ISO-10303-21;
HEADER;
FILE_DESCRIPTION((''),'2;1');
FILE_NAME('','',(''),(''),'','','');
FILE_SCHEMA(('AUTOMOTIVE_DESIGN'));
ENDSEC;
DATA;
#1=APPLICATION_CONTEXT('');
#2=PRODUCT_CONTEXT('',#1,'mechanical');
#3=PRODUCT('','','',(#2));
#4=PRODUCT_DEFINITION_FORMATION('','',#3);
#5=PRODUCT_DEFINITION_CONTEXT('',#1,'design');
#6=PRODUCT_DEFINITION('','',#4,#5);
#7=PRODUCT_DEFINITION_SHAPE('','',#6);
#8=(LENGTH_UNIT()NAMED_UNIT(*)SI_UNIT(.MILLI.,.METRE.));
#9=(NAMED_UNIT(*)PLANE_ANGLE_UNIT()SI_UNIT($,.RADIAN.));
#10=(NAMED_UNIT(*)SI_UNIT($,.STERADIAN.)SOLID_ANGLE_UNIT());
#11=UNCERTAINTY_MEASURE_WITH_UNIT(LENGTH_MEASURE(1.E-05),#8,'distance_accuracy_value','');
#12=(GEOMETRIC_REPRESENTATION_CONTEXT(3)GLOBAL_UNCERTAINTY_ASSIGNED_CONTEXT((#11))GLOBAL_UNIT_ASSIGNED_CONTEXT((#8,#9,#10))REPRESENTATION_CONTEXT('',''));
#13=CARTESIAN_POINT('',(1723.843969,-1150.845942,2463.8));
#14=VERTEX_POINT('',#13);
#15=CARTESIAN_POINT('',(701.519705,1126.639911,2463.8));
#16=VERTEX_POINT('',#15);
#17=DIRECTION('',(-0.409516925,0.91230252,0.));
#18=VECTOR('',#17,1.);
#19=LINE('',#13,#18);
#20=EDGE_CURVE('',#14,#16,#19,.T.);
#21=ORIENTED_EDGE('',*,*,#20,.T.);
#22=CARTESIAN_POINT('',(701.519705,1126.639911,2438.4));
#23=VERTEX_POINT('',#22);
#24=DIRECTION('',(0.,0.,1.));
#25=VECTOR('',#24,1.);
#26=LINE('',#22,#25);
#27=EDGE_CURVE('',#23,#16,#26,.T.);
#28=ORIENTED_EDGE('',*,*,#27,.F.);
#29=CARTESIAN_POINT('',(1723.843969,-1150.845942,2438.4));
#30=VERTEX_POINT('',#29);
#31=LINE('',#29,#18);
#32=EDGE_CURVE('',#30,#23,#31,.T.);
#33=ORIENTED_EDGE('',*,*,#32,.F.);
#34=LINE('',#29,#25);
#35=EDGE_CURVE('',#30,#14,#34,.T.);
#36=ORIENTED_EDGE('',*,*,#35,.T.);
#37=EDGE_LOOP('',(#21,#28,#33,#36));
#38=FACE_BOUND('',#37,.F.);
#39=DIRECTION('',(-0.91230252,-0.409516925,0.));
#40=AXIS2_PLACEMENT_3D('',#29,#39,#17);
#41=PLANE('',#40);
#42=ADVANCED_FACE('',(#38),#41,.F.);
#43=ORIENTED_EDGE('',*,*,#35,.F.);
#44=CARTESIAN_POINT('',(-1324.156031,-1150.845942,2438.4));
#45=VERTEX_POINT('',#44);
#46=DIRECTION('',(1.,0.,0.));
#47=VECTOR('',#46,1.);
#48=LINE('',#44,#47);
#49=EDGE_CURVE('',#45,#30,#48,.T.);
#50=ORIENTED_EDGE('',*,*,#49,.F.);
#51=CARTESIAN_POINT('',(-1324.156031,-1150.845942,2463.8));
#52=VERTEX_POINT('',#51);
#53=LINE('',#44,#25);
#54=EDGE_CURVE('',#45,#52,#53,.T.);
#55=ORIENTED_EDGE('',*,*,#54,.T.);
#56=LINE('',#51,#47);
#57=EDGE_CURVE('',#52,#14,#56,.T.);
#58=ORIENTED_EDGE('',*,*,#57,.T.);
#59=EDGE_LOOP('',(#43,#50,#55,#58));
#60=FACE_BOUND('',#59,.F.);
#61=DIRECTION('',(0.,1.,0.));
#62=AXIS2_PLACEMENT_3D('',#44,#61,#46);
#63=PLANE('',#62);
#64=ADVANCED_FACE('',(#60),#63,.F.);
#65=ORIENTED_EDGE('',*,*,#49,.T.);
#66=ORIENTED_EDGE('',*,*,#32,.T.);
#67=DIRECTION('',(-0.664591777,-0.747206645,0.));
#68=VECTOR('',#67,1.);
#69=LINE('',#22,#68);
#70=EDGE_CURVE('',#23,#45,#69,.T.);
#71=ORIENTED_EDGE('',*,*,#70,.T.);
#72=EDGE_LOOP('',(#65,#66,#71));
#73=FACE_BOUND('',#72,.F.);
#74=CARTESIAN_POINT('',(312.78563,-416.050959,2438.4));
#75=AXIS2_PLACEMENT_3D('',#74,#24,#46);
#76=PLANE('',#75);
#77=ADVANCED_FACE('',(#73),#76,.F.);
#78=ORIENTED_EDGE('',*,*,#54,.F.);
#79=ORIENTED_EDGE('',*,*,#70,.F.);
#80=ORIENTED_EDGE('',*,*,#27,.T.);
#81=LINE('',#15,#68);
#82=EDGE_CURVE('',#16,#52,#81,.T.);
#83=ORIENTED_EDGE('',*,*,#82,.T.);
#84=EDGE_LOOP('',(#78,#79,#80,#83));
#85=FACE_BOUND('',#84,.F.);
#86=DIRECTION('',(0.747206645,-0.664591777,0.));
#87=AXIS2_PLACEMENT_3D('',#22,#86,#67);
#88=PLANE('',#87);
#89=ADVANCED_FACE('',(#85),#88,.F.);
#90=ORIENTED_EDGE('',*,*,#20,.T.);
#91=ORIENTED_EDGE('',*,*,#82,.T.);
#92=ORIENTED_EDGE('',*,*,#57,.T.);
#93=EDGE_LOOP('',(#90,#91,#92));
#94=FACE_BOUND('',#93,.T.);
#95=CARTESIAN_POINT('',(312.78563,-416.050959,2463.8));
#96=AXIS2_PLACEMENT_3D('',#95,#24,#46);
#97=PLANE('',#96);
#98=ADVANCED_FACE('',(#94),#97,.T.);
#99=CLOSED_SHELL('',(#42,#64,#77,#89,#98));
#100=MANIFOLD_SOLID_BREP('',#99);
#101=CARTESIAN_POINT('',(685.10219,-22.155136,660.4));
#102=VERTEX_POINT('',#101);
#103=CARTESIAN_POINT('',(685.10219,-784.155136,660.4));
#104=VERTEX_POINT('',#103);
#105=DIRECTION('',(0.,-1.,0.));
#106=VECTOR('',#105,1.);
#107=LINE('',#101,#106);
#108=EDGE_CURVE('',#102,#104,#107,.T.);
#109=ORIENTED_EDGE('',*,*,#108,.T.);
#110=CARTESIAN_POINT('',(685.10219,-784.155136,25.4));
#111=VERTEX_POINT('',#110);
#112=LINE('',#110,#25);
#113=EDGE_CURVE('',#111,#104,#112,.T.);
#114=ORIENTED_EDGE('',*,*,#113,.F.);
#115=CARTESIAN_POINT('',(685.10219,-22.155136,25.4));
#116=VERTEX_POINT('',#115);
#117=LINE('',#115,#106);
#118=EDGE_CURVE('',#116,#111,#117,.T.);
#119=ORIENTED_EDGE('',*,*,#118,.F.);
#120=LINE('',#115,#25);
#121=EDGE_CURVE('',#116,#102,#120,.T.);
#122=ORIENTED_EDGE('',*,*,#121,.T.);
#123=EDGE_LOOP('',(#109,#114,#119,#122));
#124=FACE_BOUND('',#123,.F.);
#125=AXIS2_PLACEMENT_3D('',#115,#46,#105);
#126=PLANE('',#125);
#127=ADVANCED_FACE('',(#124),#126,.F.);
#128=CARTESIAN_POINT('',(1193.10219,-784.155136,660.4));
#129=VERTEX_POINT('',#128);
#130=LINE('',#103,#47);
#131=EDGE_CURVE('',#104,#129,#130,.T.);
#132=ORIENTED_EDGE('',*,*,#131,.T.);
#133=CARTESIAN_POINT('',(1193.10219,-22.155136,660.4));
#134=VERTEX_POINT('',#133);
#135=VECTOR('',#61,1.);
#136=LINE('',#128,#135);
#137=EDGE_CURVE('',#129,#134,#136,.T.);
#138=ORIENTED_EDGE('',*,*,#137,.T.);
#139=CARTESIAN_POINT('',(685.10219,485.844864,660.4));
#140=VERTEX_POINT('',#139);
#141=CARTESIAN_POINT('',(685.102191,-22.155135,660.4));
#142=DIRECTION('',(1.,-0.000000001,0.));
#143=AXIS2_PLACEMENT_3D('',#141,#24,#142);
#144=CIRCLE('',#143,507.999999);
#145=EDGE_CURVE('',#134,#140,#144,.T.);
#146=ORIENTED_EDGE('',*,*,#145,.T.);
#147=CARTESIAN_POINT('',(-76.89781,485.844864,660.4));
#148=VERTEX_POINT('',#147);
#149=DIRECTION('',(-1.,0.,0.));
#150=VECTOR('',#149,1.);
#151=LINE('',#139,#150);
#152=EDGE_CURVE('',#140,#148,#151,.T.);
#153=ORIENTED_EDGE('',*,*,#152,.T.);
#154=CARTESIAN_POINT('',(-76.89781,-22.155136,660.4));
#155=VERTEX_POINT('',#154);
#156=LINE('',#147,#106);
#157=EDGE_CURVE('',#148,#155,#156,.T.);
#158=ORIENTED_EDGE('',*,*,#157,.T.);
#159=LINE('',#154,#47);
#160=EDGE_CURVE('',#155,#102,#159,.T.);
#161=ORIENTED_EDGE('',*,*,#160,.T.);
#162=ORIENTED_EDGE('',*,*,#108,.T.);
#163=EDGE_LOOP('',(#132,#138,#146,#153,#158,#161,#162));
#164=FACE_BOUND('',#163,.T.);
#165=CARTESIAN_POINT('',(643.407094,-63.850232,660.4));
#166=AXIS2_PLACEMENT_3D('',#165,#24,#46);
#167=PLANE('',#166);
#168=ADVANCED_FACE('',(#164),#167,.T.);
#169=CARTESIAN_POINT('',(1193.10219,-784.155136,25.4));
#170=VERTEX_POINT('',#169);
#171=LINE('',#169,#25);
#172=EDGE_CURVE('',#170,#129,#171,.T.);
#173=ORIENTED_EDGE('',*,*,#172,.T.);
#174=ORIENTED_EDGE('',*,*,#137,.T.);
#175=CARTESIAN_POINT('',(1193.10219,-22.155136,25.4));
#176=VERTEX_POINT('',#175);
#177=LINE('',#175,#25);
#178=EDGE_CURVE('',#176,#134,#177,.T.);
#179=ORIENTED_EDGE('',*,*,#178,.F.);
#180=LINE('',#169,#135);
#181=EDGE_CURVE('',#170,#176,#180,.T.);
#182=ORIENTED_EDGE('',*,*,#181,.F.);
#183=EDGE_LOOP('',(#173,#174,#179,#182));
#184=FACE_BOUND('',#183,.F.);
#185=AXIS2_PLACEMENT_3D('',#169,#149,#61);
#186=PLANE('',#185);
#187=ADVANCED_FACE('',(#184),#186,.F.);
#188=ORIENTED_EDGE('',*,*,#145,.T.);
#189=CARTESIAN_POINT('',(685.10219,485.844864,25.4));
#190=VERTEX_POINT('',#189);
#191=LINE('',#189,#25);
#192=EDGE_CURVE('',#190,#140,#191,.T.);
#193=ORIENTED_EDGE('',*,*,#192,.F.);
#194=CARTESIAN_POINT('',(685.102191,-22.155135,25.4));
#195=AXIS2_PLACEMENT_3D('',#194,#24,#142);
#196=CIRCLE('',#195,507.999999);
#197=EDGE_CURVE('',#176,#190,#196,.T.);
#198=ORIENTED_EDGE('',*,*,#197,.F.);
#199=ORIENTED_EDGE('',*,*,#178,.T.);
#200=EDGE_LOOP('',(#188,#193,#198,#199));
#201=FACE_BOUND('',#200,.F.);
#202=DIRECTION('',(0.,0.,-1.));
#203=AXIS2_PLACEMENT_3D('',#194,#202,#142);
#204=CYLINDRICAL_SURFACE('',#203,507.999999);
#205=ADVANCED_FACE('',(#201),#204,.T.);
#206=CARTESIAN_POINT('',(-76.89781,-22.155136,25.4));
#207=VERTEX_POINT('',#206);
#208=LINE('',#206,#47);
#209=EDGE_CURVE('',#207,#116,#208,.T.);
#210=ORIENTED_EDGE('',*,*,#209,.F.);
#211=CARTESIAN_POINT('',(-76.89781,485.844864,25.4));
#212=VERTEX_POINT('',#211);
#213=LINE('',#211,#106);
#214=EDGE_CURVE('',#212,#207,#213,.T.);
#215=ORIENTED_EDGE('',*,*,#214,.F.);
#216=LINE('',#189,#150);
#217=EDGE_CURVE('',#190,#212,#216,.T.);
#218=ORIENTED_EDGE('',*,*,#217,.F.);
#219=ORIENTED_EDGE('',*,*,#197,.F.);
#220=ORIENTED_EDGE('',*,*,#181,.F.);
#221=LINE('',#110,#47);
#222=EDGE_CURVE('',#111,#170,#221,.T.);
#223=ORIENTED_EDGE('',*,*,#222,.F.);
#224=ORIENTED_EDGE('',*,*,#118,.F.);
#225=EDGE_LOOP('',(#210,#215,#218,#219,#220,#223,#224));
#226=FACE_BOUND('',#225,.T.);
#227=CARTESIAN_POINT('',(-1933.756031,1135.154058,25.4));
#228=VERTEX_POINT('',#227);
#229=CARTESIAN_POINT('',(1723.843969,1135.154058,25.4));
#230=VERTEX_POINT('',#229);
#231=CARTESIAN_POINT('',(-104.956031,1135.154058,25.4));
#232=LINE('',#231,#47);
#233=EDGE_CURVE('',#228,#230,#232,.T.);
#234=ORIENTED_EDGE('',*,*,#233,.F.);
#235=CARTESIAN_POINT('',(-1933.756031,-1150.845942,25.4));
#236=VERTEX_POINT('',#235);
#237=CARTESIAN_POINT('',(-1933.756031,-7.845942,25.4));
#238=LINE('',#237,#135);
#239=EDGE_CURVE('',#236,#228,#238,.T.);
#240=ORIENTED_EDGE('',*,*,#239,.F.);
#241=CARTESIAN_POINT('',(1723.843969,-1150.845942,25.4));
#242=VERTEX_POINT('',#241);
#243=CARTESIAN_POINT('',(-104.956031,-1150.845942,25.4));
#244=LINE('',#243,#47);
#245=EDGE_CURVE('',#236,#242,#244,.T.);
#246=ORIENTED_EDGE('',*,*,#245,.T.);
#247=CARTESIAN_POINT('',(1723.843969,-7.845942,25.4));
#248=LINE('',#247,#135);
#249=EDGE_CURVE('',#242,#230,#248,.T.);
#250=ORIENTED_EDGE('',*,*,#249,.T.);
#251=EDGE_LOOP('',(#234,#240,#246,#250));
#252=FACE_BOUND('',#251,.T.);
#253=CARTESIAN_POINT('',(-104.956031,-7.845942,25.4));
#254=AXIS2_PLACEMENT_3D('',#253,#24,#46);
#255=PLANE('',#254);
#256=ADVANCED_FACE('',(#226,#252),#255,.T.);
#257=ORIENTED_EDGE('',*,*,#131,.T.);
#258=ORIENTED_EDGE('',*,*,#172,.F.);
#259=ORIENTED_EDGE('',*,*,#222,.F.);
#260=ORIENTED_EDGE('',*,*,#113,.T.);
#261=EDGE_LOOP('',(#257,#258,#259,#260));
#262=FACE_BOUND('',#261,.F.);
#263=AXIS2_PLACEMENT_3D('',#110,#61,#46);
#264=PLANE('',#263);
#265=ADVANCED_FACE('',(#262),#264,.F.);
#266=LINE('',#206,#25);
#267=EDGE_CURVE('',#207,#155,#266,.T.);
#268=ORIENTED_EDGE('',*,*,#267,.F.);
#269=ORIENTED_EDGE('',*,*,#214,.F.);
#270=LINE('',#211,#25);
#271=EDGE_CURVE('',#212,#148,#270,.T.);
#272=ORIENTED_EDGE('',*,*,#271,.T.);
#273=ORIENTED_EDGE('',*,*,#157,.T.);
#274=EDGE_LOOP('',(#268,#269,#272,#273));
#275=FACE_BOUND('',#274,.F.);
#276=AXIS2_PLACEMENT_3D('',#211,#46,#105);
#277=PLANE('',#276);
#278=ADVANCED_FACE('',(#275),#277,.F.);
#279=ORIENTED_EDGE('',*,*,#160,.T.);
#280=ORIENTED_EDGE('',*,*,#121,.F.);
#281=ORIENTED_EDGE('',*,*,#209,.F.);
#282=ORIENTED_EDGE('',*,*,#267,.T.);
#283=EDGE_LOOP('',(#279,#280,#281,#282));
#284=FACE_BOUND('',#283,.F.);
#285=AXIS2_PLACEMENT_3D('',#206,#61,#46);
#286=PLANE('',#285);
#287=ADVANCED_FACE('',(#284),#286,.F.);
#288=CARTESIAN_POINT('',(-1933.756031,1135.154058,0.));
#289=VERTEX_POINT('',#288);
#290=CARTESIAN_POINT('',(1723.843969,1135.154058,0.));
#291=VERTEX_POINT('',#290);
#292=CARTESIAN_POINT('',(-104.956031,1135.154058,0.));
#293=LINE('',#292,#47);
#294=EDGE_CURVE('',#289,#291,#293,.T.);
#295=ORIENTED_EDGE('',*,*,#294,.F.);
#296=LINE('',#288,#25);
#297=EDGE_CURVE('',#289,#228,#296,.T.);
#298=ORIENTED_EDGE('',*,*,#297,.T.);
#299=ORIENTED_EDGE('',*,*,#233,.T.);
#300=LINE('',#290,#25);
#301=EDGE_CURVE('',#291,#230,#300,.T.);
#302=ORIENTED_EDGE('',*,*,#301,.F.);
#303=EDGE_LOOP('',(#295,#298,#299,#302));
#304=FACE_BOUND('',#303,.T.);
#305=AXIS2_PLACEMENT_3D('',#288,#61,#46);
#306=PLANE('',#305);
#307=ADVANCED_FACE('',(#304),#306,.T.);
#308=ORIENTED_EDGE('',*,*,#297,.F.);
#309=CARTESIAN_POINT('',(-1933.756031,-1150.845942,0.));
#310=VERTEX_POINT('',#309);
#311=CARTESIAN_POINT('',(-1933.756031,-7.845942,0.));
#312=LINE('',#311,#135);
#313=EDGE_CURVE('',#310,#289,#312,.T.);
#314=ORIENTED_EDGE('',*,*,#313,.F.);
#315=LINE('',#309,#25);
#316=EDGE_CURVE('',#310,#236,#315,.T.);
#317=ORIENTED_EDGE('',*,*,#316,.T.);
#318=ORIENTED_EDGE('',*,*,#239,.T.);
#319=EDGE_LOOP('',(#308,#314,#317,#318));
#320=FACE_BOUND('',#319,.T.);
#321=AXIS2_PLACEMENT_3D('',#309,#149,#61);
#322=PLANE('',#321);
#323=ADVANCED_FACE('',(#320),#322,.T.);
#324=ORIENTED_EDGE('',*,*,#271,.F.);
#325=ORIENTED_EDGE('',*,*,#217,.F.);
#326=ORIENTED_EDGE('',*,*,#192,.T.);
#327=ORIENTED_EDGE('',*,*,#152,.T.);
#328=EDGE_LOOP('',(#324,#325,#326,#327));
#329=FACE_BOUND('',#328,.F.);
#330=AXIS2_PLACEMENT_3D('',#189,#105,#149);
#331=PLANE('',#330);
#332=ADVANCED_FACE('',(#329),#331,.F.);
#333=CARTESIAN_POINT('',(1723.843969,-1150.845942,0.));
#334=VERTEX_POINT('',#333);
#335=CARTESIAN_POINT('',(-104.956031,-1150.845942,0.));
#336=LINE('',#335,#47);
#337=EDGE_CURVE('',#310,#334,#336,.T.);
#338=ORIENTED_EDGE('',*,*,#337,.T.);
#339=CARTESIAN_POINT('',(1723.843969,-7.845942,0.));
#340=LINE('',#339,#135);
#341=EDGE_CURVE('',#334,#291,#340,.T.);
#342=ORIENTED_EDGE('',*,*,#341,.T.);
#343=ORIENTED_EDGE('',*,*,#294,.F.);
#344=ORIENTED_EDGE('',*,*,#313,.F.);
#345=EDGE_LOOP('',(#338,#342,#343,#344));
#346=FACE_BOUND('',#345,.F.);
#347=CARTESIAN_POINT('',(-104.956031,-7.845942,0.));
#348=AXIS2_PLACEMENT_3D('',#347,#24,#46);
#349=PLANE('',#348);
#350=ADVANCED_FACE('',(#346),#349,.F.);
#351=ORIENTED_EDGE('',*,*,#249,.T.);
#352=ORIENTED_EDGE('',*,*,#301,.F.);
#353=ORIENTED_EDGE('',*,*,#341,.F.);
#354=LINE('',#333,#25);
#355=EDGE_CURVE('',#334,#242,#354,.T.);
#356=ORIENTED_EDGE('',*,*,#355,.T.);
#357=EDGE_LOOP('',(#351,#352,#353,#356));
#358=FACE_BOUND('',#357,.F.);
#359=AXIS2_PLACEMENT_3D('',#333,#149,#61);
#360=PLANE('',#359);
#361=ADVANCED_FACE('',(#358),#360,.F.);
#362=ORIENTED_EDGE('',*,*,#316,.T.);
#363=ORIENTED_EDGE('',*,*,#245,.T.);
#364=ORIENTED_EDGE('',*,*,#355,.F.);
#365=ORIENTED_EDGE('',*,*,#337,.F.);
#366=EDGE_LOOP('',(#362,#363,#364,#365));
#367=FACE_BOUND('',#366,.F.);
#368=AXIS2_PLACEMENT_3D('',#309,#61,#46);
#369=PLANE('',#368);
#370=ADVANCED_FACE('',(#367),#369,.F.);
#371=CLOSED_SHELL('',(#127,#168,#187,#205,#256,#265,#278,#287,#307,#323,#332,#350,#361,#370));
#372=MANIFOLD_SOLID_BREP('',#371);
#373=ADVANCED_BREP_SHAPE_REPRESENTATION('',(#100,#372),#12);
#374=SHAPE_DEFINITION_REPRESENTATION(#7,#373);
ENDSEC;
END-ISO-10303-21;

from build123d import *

# Parameters (mm, degrees)
F0_W     = 3657.6
F0_H     = 2286
F1_DEPTH = 25.4
F4_DEPTH = 635
F7_DEPTH = 25.4


with BuildPart() as f1:
    # F0 (on Top) → F1 (new body)
    with BuildSketch(Plane.XY):
        with Locations((-104.956031, -7.845942)):
            Rectangle(F0_W, F0_H)
    extrude(amount=F1_DEPTH)

    # F2 (on face) → F4 (join)
    with BuildSketch(Plane.XY.offset(25.4)):
        with BuildLine():
            Line((1193.10219, -784.155136), (1193.10219, -22.155136))
            ThreePointArc((1193.10219, -22.155136), (1044.312435, 337.055109), (685.10219, 485.844864))
            Line((685.10219, 485.844864), (-76.89781, 485.844864))
            Line((-76.89781, 485.844864), (-76.89781, -22.155136))
            Line((-76.89781, -22.155136), (685.10219, -22.155136))
            Line((685.10219, -22.155136), (685.10219, -784.155136))
            Line((685.10219, -784.155136), (1193.10219, -784.155136))
        make_face()
    extrude(amount=F4_DEPTH)


with BuildPart() as f7:
    # F6 (on offset) → F7 (new body)
    with BuildSketch(Plane.XY.offset(2438.4)):
        Polygon((-1324.156031, -1150.845942), (1723.843969, -1150.845942), (701.519705, 1126.639911), align=None)
    extrude(amount=F7_DEPTH)


solid = Compound([f1.part, f7.part])
